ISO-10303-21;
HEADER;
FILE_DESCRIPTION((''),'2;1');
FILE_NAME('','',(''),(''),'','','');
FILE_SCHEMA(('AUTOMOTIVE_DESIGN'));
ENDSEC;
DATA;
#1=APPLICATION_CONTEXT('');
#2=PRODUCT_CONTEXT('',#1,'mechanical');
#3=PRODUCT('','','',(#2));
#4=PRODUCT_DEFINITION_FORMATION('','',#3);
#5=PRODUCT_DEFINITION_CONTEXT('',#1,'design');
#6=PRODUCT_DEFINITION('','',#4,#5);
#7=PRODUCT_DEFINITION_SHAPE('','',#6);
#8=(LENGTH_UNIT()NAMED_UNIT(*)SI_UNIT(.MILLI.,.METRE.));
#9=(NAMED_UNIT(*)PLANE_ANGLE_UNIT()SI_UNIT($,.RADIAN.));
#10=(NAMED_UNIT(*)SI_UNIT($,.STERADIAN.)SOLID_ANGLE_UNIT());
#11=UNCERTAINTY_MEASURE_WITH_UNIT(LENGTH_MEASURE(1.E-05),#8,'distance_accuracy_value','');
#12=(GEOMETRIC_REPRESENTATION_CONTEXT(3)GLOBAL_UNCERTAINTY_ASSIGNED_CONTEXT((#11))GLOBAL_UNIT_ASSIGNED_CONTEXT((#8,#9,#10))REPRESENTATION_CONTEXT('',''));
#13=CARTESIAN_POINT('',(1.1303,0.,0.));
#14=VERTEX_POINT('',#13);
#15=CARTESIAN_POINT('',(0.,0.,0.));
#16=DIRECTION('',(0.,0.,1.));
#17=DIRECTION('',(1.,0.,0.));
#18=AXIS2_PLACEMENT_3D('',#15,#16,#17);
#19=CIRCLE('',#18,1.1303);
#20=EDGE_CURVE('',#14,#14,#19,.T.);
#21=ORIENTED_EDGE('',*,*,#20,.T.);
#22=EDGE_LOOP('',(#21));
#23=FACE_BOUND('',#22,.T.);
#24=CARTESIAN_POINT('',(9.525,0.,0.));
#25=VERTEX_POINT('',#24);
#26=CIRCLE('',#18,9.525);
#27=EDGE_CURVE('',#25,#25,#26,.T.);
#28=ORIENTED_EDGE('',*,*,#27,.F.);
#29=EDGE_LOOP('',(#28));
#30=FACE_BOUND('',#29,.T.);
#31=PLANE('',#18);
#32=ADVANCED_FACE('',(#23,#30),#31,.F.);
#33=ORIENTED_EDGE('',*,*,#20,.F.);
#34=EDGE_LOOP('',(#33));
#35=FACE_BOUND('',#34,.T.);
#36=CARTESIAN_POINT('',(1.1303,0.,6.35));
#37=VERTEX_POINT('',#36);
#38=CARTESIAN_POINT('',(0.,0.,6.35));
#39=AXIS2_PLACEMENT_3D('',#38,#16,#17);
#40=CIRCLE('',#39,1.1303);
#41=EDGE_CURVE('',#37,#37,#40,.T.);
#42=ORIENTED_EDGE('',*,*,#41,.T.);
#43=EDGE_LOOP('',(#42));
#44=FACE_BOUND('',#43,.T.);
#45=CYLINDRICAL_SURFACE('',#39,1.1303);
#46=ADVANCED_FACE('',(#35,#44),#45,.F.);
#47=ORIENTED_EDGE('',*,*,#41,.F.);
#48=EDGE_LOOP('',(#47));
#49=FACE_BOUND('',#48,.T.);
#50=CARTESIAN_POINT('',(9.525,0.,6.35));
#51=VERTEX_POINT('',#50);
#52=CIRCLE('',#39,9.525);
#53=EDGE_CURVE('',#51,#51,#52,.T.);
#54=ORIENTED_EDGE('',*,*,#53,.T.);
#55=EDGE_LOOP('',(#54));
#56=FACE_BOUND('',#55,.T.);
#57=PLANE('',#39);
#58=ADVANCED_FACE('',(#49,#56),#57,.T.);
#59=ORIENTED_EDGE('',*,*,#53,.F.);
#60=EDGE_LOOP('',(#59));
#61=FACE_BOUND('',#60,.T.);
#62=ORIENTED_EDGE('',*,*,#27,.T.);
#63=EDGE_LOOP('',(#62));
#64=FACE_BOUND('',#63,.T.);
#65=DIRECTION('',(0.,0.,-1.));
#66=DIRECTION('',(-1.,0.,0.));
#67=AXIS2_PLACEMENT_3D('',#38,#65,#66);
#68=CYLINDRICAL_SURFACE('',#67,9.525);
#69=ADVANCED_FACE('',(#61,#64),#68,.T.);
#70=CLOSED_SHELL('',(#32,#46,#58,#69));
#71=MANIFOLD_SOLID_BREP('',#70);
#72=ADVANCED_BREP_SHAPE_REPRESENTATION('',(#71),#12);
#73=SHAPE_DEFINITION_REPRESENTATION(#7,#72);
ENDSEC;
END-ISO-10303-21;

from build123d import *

# Parameters (mm, degrees)
SKETCH1_R             = 9.525
BOSS_EXTRUDE1_DEPTH   = 6.35
F_4_40_TAPPED_HOLE1_D = 2.2606


with BuildPart() as part:
    # Sketch1 → Boss-Extrude1 (new body)
    with BuildSketch(Plane.XY):
        Circle(SKETCH1_R)
    extrude(amount=BOSS_EXTRUDE1_DEPTH)

    # #4-40 Tapped Hole1 (through all)
    with Locations(Plane.XY.offset(6.35)):
        with Locations((0, 0)):
            Hole(F_4_40_TAPPED_HOLE1_D / 2)


solid = part.part
